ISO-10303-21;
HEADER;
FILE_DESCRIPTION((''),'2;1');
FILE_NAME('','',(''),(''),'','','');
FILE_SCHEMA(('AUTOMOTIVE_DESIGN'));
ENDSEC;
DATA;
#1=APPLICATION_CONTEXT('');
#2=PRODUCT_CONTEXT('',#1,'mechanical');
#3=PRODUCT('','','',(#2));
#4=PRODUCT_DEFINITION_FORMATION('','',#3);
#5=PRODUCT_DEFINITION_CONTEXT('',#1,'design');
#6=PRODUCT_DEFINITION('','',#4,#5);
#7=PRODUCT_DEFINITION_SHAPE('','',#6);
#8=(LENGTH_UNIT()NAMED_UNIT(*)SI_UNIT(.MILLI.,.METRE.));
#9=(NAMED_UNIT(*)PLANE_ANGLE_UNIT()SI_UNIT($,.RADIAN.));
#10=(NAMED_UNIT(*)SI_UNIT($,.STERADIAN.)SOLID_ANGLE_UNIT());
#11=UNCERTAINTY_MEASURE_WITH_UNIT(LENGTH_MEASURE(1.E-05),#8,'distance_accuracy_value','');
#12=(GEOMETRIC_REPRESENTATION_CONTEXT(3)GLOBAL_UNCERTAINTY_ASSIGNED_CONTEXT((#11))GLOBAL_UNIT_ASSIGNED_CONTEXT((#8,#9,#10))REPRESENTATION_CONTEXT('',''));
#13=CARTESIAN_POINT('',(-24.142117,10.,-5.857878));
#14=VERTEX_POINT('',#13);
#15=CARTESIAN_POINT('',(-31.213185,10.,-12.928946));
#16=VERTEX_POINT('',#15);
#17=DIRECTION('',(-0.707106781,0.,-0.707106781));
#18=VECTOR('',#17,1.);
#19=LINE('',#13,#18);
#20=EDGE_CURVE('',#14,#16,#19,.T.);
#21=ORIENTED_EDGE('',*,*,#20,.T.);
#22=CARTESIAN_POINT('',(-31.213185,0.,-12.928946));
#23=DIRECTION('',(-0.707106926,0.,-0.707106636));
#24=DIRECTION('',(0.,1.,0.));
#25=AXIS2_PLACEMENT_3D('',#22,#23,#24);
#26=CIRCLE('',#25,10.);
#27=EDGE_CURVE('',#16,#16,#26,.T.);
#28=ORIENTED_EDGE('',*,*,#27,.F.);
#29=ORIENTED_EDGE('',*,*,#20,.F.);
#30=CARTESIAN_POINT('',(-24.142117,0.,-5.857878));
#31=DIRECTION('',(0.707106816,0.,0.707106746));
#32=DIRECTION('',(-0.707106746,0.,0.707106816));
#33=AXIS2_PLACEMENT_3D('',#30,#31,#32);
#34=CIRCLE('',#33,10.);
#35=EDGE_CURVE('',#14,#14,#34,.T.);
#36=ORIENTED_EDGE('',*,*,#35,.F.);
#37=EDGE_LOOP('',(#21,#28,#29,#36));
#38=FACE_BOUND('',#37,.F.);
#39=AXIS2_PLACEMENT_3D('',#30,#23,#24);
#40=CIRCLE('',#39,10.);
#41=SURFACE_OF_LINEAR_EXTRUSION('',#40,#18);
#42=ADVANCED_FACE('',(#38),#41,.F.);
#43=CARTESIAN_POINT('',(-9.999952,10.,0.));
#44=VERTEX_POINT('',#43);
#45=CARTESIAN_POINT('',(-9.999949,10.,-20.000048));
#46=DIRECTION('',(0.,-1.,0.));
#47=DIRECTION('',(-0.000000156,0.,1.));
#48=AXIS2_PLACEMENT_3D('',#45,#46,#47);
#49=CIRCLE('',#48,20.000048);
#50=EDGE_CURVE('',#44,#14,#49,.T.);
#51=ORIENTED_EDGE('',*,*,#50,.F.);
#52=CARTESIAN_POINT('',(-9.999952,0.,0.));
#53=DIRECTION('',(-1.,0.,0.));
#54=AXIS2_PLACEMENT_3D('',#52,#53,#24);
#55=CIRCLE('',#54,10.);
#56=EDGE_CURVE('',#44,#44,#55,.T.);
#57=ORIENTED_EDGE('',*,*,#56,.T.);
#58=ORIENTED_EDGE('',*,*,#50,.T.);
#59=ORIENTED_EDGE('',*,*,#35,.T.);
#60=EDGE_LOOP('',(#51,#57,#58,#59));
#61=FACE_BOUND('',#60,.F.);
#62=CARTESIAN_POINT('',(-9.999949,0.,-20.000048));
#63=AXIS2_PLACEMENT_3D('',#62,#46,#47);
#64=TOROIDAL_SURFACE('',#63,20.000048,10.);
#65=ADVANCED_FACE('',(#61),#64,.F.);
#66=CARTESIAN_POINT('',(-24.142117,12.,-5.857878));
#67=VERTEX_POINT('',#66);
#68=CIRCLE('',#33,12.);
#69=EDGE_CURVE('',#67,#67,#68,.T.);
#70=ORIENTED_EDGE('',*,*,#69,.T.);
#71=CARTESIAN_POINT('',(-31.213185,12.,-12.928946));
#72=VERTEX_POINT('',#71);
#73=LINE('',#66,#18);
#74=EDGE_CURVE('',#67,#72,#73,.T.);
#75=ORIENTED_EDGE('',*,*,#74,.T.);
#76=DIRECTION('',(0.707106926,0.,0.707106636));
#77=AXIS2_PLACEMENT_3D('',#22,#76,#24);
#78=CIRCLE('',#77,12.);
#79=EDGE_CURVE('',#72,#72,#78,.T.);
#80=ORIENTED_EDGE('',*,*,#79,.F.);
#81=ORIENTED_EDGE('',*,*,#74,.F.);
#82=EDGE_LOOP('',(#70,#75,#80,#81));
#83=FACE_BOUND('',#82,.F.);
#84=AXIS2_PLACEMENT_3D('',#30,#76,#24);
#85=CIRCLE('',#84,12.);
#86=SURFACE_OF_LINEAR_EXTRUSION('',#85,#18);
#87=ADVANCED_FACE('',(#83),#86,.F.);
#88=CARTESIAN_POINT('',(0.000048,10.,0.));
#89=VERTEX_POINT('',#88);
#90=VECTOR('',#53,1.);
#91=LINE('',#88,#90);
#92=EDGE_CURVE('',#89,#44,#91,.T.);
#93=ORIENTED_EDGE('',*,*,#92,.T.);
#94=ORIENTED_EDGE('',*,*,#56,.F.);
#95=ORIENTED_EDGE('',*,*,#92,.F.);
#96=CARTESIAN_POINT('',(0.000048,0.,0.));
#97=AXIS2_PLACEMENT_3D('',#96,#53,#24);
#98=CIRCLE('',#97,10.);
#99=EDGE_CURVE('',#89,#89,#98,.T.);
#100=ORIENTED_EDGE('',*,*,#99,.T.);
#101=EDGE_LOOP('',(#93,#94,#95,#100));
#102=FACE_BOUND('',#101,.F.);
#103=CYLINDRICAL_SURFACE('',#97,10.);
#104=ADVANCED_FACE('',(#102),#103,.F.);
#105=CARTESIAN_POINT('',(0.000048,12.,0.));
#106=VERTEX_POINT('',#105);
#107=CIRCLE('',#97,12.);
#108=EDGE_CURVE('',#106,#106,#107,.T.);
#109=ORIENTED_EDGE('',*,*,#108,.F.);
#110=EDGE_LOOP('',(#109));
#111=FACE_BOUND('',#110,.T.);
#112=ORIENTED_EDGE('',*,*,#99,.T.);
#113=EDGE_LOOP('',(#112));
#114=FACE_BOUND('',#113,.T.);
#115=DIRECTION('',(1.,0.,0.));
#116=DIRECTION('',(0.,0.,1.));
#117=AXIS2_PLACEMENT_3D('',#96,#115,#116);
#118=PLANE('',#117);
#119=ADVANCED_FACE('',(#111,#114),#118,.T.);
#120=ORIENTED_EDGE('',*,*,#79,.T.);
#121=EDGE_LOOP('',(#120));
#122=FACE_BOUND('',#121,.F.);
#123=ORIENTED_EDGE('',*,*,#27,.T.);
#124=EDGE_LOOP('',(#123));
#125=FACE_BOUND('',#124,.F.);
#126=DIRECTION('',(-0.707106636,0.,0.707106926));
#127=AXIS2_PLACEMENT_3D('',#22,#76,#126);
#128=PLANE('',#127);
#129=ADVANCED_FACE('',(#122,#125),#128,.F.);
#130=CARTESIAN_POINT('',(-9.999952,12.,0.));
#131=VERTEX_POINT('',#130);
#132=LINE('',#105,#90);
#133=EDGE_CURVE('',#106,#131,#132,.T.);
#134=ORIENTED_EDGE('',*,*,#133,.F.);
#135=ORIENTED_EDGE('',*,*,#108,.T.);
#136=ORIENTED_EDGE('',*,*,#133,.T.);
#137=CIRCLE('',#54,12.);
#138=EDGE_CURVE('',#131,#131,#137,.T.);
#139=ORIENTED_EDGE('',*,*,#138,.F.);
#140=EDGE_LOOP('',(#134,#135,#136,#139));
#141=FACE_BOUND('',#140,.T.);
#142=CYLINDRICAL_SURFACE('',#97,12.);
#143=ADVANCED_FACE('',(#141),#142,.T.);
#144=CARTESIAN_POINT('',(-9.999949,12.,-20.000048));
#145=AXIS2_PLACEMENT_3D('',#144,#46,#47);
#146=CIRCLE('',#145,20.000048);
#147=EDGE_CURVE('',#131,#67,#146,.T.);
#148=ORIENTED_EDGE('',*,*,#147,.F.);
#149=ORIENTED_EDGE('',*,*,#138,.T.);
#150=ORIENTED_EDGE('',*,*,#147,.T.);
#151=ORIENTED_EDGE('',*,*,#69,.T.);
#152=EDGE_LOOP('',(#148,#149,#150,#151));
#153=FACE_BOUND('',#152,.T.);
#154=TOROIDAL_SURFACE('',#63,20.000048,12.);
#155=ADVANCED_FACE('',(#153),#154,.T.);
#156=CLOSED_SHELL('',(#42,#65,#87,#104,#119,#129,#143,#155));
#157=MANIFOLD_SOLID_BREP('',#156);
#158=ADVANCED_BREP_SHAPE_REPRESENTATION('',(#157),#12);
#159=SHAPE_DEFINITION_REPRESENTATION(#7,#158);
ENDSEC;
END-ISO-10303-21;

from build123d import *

# Parameters (mm, degrees)
F1_R   = 12
F1_R_2 = 10


with BuildPart() as f2:
    # F2: sweep along a path in F0
    with BuildLine(Plane.XZ) as f2_path:
        Line((4.8e-05, -4.3e-05), (-9.999952, -4.3e-05))
        ThreePointArc((-9.999952, -4.3e-05), (-17.65362, -1.522453), (-24.142087, -5.857908))
        Line((-24.142087, -5.857908), (-31.213155, -12.928976))
    # F1 (on Right) → F2 (sweep)
    with BuildSketch(Plane.YZ):
        Circle(F1_R)
        Circle(F1_R_2, mode=Mode.SUBTRACT)
    sweep(path=f2_path.line)


solid = f2.part
